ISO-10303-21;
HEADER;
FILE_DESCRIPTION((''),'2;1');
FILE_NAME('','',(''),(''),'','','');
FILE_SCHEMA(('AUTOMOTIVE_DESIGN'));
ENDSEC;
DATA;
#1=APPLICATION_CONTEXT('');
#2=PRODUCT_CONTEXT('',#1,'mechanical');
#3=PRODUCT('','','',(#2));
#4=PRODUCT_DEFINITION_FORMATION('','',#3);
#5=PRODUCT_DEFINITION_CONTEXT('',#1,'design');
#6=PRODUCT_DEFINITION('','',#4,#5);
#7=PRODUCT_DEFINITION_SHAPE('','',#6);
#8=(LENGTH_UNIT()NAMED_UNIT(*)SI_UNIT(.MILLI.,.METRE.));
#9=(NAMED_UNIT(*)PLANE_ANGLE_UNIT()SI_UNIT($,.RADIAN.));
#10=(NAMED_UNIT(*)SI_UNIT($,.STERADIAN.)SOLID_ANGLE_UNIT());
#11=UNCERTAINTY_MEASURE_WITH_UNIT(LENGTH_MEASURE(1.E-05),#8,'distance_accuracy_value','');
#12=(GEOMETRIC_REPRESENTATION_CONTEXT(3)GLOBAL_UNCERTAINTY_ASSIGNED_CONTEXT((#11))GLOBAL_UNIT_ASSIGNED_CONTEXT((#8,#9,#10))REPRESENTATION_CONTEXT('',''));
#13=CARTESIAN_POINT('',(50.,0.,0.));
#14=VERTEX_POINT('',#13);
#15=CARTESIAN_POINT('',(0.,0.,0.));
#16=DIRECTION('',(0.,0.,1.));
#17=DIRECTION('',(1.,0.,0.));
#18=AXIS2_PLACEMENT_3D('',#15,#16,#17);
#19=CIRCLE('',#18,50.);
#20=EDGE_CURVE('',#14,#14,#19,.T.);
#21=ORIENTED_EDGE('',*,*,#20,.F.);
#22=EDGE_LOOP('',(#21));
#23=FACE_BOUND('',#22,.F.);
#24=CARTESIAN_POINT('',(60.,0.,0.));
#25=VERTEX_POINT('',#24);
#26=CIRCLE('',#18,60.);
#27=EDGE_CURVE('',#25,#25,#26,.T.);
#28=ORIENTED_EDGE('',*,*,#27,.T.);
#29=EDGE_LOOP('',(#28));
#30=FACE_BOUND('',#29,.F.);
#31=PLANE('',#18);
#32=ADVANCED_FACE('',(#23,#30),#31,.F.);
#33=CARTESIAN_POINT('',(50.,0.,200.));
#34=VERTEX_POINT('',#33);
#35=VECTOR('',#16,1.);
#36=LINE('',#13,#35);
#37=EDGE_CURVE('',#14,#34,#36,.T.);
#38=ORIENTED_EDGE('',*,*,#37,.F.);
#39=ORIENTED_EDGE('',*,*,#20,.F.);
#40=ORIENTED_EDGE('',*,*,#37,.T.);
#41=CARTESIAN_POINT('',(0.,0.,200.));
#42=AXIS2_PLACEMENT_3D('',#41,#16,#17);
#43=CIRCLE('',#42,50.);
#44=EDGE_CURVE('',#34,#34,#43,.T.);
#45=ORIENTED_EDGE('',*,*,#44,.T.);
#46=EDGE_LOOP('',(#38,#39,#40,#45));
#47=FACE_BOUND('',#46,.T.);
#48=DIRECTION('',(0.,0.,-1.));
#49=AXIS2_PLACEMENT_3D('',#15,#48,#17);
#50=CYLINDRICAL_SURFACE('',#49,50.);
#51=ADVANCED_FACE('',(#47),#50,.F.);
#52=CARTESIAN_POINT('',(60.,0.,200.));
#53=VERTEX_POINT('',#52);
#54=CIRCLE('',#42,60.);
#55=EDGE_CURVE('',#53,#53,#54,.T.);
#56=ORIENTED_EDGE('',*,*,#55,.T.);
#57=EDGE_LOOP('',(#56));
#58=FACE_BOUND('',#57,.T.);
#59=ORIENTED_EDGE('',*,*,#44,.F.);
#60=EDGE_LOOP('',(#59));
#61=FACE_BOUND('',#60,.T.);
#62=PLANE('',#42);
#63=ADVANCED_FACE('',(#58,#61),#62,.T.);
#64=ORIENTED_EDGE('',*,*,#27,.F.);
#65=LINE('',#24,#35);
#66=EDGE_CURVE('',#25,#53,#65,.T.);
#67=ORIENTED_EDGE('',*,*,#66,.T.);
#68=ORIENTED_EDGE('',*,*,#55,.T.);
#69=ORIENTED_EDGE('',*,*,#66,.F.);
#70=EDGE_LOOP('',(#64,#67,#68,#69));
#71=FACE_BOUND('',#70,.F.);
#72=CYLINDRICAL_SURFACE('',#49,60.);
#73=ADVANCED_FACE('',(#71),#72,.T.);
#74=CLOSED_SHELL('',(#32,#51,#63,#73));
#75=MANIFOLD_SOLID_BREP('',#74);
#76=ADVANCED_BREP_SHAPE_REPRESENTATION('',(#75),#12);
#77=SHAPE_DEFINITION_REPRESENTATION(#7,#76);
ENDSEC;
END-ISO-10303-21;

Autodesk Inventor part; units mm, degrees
ref_plane "YZ Plane" through (0, 0, 0) normal (1, 0, 0) x (0, 1, 0)
ref_plane "XZ Plane" through (0, 0, 0) normal (0, 1, 0) x (-1, 0, 0)
ref_plane "XY Plane" through (0, 0, 0) normal (0, 0, 1) x (1, 0, 0)
sketch "Sketch1" plane through (0, 0, 0) normal (0, 0, 1) x (1, 0, 0)
  circle A0 centre (0, 0) radius 60
  circle A1 centre (0, 0) radius 50
  dimension "d0" = 120
  dimension "d1" = 100
extrude "Extrusion1" add sketch "Sketch1" along normal blind 200
properties part number "New_Tube"
